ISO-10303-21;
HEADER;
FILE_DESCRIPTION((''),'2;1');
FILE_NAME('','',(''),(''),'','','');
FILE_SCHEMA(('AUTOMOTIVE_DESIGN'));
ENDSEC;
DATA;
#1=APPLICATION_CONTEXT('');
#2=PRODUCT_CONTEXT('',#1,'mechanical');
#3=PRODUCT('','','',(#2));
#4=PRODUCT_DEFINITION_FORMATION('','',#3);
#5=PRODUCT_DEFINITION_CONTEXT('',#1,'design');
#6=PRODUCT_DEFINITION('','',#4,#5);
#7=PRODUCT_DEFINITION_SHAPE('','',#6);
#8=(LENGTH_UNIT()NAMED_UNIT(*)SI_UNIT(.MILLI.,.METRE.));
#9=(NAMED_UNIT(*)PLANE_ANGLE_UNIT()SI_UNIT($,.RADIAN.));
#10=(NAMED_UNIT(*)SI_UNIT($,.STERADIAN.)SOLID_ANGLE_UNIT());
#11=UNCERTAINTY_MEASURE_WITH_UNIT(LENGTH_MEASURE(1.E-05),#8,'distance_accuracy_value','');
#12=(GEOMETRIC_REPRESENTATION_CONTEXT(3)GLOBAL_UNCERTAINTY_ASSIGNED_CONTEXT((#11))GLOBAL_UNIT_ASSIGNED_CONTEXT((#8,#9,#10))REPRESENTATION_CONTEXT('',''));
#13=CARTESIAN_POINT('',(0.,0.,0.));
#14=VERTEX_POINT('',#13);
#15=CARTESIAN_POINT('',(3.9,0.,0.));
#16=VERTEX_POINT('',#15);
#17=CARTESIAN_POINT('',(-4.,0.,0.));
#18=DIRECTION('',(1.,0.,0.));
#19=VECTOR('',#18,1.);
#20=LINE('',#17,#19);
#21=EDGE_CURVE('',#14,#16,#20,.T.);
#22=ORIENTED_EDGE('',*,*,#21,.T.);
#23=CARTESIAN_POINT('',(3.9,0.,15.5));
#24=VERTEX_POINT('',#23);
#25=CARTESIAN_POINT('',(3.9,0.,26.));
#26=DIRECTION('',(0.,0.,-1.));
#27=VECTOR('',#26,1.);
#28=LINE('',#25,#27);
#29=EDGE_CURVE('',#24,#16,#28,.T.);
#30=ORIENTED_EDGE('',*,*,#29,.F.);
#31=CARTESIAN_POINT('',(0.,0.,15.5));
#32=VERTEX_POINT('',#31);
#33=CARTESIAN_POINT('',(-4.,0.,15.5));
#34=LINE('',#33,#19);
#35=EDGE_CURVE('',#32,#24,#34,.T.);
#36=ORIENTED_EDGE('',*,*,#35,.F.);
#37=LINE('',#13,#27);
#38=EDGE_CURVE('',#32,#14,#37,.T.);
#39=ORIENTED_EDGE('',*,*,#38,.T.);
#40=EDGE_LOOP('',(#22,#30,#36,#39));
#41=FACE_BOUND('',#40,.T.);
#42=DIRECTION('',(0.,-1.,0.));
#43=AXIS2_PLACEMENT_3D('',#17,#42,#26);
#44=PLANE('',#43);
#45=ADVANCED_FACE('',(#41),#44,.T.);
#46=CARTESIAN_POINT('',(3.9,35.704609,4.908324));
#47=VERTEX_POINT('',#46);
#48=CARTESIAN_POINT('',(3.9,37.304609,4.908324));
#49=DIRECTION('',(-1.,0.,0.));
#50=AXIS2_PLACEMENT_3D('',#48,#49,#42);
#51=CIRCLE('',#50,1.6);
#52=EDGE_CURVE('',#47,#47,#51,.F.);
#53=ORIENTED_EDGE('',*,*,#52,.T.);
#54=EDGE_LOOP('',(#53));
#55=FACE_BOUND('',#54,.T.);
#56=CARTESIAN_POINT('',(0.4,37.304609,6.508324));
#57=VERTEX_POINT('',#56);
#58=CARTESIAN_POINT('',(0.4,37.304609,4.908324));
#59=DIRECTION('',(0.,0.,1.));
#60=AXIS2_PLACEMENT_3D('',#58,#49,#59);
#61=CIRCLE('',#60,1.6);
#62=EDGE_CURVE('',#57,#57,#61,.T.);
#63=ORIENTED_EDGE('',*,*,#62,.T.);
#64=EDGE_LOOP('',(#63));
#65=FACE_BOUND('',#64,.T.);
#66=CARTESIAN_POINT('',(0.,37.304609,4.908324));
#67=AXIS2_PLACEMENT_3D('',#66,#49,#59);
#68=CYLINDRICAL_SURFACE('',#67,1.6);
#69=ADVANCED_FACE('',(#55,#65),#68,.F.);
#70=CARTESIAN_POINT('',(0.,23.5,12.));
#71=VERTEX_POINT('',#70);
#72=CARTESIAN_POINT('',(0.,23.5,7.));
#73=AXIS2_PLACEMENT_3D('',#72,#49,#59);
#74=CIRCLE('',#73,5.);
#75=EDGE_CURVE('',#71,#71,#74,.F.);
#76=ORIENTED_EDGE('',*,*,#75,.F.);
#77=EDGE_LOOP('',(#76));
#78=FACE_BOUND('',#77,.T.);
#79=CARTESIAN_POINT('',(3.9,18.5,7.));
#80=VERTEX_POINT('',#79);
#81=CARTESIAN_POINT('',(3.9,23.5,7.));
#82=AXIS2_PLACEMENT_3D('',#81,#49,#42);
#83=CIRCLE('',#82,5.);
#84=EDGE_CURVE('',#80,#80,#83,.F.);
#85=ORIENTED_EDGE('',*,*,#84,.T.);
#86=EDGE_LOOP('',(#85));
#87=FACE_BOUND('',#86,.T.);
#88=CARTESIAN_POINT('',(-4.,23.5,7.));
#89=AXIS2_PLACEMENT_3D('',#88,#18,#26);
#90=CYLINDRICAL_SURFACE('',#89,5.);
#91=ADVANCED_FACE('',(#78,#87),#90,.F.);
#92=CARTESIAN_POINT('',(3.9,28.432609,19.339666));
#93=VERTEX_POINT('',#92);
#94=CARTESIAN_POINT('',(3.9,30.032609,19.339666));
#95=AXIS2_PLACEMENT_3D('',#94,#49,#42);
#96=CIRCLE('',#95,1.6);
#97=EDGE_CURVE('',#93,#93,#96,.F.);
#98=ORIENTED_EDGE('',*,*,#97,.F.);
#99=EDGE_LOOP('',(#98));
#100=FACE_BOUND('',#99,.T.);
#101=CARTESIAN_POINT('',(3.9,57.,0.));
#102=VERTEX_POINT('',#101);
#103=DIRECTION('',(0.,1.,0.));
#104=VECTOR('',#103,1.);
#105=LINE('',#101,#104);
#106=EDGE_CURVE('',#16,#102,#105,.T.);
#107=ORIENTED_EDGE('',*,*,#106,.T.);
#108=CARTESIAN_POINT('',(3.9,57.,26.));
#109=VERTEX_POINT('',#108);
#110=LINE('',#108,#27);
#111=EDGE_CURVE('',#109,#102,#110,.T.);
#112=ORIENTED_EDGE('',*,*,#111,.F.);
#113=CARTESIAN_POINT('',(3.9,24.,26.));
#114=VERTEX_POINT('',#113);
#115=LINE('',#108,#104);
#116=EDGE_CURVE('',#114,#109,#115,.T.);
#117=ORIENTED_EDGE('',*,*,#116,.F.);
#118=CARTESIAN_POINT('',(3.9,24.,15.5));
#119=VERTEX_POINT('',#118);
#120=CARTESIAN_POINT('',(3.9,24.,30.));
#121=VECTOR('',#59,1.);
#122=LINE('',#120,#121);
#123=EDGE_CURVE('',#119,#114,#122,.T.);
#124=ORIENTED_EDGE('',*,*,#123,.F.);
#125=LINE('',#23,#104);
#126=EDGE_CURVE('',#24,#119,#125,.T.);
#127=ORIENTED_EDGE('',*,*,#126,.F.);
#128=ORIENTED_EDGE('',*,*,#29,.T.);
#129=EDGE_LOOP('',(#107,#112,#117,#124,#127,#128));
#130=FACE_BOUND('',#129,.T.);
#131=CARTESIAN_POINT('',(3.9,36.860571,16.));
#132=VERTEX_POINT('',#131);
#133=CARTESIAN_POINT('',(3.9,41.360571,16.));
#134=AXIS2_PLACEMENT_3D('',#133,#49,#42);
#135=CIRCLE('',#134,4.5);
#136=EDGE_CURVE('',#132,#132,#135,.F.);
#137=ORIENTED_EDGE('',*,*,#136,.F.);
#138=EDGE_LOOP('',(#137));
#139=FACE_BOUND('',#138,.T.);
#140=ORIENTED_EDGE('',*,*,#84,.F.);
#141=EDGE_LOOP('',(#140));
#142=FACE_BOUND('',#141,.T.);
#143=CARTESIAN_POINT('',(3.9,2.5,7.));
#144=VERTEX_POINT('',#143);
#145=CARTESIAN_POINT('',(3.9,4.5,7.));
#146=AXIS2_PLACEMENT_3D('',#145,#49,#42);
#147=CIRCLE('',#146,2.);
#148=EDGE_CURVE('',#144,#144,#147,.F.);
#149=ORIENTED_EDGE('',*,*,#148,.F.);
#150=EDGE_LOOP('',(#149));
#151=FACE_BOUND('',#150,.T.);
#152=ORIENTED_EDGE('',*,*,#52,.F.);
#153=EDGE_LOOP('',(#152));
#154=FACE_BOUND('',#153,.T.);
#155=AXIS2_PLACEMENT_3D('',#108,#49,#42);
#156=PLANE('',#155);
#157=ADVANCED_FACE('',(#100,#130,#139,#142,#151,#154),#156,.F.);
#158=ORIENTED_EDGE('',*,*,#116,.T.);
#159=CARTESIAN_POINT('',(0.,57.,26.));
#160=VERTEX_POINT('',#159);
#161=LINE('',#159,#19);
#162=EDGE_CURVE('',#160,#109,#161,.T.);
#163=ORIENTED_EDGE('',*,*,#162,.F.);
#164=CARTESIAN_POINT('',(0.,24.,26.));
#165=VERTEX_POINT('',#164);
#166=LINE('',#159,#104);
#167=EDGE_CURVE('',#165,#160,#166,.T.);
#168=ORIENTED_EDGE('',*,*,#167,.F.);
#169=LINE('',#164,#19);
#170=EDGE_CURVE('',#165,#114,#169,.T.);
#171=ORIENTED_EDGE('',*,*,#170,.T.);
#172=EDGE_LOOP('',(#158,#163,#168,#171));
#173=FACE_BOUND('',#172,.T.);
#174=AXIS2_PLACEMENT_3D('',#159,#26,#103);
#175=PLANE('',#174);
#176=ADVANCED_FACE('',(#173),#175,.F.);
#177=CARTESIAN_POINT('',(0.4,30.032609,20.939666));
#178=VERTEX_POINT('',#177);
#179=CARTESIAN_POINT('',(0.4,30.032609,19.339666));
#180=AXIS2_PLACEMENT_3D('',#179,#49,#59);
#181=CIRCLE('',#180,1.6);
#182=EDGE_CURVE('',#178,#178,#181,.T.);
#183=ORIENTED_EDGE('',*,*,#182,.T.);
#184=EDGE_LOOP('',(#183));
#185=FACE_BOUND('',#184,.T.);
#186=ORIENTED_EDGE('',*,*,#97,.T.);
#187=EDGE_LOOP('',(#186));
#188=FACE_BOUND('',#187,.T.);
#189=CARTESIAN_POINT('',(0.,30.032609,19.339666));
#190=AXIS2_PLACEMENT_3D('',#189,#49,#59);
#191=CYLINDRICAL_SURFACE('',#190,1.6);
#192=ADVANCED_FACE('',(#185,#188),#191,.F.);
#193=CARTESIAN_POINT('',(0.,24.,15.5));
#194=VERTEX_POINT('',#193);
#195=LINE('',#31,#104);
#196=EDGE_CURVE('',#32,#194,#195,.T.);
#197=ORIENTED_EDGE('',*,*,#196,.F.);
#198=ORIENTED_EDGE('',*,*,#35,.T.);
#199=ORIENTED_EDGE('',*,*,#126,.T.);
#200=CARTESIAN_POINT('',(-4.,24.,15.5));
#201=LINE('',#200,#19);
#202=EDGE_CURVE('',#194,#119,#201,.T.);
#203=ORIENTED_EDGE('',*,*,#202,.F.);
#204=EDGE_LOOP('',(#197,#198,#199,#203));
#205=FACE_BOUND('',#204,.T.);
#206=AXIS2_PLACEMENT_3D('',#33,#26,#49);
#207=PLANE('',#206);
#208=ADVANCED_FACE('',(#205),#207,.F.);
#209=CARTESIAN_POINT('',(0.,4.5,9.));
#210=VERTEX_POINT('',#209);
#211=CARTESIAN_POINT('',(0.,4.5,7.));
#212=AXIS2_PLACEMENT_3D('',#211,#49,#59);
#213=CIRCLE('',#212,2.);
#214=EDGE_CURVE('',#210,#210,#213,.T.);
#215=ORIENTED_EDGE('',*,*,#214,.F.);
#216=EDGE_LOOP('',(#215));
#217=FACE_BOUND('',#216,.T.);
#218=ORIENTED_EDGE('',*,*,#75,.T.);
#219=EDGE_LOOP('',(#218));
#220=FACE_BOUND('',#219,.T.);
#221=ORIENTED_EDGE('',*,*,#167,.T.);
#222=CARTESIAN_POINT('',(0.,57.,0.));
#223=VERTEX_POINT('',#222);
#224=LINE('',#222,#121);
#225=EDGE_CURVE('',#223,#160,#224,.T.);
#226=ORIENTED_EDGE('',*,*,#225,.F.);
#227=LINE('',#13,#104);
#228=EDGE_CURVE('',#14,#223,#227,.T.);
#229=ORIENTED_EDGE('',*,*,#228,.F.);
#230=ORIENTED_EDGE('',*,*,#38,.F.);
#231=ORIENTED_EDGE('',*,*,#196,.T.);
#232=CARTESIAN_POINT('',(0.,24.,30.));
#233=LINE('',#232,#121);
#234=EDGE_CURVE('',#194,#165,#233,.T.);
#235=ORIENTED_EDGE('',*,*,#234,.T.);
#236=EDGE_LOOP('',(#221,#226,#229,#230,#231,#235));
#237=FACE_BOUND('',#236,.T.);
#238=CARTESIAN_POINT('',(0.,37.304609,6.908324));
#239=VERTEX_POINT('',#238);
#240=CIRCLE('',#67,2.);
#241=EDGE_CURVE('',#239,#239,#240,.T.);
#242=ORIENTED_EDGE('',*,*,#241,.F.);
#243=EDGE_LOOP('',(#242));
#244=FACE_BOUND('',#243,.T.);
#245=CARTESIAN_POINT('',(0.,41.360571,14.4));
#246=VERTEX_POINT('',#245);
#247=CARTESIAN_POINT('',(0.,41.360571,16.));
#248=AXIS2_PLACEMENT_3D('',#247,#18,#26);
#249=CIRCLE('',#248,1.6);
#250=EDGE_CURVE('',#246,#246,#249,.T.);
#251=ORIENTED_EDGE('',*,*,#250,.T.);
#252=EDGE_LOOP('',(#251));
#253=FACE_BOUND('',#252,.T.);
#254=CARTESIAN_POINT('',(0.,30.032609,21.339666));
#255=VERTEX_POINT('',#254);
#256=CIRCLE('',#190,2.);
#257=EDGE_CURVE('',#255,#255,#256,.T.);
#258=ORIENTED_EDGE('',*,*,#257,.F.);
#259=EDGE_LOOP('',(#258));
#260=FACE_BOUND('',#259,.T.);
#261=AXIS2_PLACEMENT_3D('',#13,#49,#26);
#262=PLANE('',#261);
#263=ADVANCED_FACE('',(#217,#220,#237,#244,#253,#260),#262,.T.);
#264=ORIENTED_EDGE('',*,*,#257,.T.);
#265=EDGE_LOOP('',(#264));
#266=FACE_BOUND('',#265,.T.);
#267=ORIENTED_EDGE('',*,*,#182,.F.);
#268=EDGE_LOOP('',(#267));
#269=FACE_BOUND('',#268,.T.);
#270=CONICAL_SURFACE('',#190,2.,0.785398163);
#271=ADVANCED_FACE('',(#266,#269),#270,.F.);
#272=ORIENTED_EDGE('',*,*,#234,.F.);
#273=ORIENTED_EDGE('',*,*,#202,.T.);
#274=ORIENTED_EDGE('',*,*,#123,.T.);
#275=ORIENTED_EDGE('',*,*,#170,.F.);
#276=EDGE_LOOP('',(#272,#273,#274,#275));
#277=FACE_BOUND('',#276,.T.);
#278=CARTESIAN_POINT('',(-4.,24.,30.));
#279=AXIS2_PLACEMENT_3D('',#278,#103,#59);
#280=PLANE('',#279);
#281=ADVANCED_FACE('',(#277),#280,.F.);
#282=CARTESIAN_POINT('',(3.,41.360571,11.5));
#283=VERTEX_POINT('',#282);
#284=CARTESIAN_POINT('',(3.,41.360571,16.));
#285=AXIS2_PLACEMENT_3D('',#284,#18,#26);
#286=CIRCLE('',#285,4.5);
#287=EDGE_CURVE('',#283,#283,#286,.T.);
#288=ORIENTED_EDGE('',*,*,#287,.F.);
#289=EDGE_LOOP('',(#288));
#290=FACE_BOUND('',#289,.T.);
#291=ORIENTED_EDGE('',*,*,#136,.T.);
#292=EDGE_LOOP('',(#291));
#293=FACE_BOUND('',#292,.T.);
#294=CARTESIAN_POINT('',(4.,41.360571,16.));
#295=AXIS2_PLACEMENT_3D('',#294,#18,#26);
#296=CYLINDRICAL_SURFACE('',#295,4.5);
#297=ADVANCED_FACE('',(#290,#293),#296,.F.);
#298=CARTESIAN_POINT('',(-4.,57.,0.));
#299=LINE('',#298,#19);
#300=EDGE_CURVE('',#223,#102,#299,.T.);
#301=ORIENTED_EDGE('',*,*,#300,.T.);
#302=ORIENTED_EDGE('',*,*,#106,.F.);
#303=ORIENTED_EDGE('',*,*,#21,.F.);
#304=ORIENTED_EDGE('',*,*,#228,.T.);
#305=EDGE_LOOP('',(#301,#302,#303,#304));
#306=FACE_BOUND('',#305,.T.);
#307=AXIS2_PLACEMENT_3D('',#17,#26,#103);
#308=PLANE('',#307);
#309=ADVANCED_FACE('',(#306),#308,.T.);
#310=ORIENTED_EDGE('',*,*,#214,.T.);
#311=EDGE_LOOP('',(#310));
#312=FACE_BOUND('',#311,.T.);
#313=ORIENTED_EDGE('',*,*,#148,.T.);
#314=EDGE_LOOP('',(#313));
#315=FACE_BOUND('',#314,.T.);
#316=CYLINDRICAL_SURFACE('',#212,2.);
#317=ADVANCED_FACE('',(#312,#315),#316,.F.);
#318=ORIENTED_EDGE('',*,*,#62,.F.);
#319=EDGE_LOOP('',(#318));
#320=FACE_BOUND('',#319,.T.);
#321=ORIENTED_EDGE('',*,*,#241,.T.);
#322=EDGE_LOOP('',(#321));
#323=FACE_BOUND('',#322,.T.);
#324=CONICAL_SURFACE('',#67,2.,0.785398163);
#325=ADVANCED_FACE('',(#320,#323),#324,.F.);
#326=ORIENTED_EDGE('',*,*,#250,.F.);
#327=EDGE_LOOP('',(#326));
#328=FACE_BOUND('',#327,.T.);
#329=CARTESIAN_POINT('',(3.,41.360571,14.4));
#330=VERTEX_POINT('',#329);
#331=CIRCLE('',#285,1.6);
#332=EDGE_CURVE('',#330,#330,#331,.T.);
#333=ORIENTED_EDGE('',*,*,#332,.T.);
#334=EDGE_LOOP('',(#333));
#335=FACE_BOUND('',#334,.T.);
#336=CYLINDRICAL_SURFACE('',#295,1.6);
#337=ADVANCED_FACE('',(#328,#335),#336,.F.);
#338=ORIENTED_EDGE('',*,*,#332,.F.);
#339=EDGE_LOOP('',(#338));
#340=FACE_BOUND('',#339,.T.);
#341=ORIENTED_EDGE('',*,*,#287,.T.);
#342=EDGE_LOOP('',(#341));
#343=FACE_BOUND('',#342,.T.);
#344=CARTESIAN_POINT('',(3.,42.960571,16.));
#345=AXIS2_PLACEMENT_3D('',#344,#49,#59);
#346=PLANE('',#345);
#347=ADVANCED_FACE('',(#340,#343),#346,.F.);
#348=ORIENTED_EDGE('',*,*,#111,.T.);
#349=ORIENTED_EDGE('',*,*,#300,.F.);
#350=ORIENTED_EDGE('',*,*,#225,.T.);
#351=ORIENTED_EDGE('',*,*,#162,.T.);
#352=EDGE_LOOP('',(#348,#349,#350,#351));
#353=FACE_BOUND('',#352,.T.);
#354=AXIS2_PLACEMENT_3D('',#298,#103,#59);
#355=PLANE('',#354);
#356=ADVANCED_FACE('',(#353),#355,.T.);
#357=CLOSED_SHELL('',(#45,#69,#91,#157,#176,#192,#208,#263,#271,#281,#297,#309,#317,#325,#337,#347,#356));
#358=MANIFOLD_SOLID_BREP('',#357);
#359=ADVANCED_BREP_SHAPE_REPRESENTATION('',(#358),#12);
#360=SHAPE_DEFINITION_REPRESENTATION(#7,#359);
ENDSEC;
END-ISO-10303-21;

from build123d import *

# Parameters (mm, degrees)
SKETCH1_W                                        = 30
SKETCH1_H                                        = 57
BOSS_EXTRUDE1_DEPTH                              = 4
SKETCH2_R                                        = 5
CUT_EXTRUDE1_DEPTH                               = 65.536811201
F_4_0_4_DIAMETER_HOLE1_D                         = 4
SKETCH12_W                                       = 14.5
SKETCH12_H                                       = 24
CUT_EXTRUDE2_DEPTH                               = 65.536811201
SKETCH13_W                                       = 42.673617324
SKETCH13_H                                       = 65.779819875
CUT_EXTRUDE5_DEPTH                               = 4
F_4_0_4_DIAMETER_HOLE6_D                         = 4
CBORE_FOR_M3_PAN_HEAD_MACHINE_SCREW7_D           = 3.2
CBORE_FOR_M3_PAN_HEAD_MACHINE_SCREW7_CBORE_D     = 9
CBORE_FOR_M3_PAN_HEAD_MACHINE_SCREW7_CBORE_DEPTH = 1
CSK_FOR_M3_FLAT_HEAD_MACHINE_SCREW1_D            = 3.2
CSK_FOR_M3_FLAT_HEAD_MACHINE_SCREW1_CSINK_D      = 4
CSK_FOR_M3_FLAT_HEAD_MACHINE_SCREW1_CSINK_ANGLE  = 90
CUT_EXTRUDE6_DEPTH                               = 65.536811201
CUT_EXTRUDE6_DEPTH_BACK                          = 65.536811201
SKETCH45_W                                       = 4
SKETCH45_H                                       = 33
SKETCH46_W                                       = 0.1
SKETCH46_H                                       = 57
CUT_EXTRUDE7_DEPTH                               = 63.777384463


with BuildPart() as part:
    # Sketch1 → Boss-Extrude1 (new body)
    with BuildSketch(Plane(origin=(0, 0, 0), x_dir=(0, 0, -1), z_dir=(1, 0, 0))):
        with Locations((-15, 28.5)):
            Rectangle(SKETCH1_W, SKETCH1_H)
    boss_extrude1 = extrude(amount=-BOSS_EXTRUDE1_DEPTH)

    # Sketch2 → Cut-Extrude1 (cut, through all)
    with BuildSketch(Plane(origin=(0, 0, 0), x_dir=(0, 0, -1), z_dir=(1, 0, 0))):
        with Locations((-7, 23.5)):
            Circle(SKETCH2_R)
    cut_extrude1 = extrude(amount=-CUT_EXTRUDE1_DEPTH, mode=Mode.SUBTRACT)

    # Ø4.0 (4) Diameter Hole1 (through all)
    with Locations(Plane(origin=(0, 4.5, 7), x_dir=(0, 0, 1), z_dir=(1, 0, 0))):
        with Locations((0, 0)):
            Hole(F_4_0_4_DIAMETER_HOLE1_D / 2)

    # Sketch12 → Cut-Extrude2 (cut, through all)
    with BuildSketch(Plane(origin=(0, 0, 0), x_dir=(0, 0, -1), z_dir=(1, 0, 0))):
        with Locations((-22.75, 12)):
            Rectangle(SKETCH12_W, SKETCH12_H)
    cut_extrude2 = extrude(amount=-CUT_EXTRUDE2_DEPTH, mode=Mode.SUBTRACT)

    # Mirror7: Boss-Extrude1, Cut-Extrude1, Cut-Extrude2 across plane
    add(boss_extrude1.mirror(Plane(origin=(0, 0, 0), x_dir=(0, 0, 1), z_dir=(1, 0, 0))))
    add(cut_extrude1.mirror(Plane(origin=(0, 0, 0), x_dir=(0, 0, 1), z_dir=(1, 0, 0))), mode=Mode.SUBTRACT)
    add(cut_extrude2.mirror(Plane(origin=(0, 0, 0), x_dir=(0, 0, 1), z_dir=(1, 0, 0))), mode=Mode.SUBTRACT)

    # Sketch13 → Cut-Extrude5 (cut)
    with BuildSketch(Plane.ZY.offset(4)):
        with Locations((15.520409967, 28.395918007)):
            Rectangle(SKETCH13_W, SKETCH13_H)
    extrude(amount=-CUT_EXTRUDE5_DEPTH, mode=Mode.SUBTRACT)

    # Ø4.0 (4) Diameter Hole6 (through all)
    with Locations(Plane(origin=(0, 4.5, 7), x_dir=(0, 0, -1), z_dir=(-1, 0, 0))):
        with Locations((0, 0)):
            Hole(F_4_0_4_DIAMETER_HOLE6_D / 2)

    # CBORE for M3 Pan Head Machine Screw7 (through all)
    with Locations(Plane(origin=(4, 41.360571099, 16), x_dir=(0, 0, 1), z_dir=(1, 0, 0))):
        with Locations((0, 0)):
            CounterBoreHole(CBORE_FOR_M3_PAN_HEAD_MACHINE_SCREW7_D / 2, CBORE_FOR_M3_PAN_HEAD_MACHINE_SCREW7_CBORE_D / 2, CBORE_FOR_M3_PAN_HEAD_MACHINE_SCREW7_CBORE_DEPTH)

    # CSK for M3 Flat Head Machine Screw1 (through all)
    with Locations(Plane(origin=(0, 30.032608687, 19.33966579), x_dir=(0, 0, -1), z_dir=(-1, 0, 0))):
        with Locations((0, 0), (14.431341448, -7.272)):
            CounterSinkHole(CSK_FOR_M3_FLAT_HEAD_MACHINE_SCREW1_D / 2, CSK_FOR_M3_FLAT_HEAD_MACHINE_SCREW1_CSINK_D / 2, counter_sink_angle=CSK_FOR_M3_FLAT_HEAD_MACHINE_SCREW1_CSINK_ANGLE)

    # Sketch45 → Cut-Extrude6 (cut, two sides: drawn at the far end of the back side and taken through both)
    with BuildSketch(Plane(origin=(4, 0, 0), x_dir=(0, 0, -1), z_dir=(1, 0, 0)).offset(-CUT_EXTRUDE6_DEPTH_BACK)):
        with Locations((-28, 40.5)):
            Rectangle(SKETCH45_W, SKETCH45_H)
    extrude(amount=CUT_EXTRUDE6_DEPTH + CUT_EXTRUDE6_DEPTH_BACK, mode=Mode.SUBTRACT)

    # Sketch46 → Cut-Extrude7 (cut, through all)
    with BuildSketch(Plane(origin=(0, 0, 0), x_dir=(-1, 0, 0), z_dir=(0, 0, -1))):
        with Locations((-3.95, 28.5)):
            Rectangle(SKETCH46_W, SKETCH46_H)
    extrude(amount=-CUT_EXTRUDE7_DEPTH, mode=Mode.SUBTRACT)


solid = part.part
